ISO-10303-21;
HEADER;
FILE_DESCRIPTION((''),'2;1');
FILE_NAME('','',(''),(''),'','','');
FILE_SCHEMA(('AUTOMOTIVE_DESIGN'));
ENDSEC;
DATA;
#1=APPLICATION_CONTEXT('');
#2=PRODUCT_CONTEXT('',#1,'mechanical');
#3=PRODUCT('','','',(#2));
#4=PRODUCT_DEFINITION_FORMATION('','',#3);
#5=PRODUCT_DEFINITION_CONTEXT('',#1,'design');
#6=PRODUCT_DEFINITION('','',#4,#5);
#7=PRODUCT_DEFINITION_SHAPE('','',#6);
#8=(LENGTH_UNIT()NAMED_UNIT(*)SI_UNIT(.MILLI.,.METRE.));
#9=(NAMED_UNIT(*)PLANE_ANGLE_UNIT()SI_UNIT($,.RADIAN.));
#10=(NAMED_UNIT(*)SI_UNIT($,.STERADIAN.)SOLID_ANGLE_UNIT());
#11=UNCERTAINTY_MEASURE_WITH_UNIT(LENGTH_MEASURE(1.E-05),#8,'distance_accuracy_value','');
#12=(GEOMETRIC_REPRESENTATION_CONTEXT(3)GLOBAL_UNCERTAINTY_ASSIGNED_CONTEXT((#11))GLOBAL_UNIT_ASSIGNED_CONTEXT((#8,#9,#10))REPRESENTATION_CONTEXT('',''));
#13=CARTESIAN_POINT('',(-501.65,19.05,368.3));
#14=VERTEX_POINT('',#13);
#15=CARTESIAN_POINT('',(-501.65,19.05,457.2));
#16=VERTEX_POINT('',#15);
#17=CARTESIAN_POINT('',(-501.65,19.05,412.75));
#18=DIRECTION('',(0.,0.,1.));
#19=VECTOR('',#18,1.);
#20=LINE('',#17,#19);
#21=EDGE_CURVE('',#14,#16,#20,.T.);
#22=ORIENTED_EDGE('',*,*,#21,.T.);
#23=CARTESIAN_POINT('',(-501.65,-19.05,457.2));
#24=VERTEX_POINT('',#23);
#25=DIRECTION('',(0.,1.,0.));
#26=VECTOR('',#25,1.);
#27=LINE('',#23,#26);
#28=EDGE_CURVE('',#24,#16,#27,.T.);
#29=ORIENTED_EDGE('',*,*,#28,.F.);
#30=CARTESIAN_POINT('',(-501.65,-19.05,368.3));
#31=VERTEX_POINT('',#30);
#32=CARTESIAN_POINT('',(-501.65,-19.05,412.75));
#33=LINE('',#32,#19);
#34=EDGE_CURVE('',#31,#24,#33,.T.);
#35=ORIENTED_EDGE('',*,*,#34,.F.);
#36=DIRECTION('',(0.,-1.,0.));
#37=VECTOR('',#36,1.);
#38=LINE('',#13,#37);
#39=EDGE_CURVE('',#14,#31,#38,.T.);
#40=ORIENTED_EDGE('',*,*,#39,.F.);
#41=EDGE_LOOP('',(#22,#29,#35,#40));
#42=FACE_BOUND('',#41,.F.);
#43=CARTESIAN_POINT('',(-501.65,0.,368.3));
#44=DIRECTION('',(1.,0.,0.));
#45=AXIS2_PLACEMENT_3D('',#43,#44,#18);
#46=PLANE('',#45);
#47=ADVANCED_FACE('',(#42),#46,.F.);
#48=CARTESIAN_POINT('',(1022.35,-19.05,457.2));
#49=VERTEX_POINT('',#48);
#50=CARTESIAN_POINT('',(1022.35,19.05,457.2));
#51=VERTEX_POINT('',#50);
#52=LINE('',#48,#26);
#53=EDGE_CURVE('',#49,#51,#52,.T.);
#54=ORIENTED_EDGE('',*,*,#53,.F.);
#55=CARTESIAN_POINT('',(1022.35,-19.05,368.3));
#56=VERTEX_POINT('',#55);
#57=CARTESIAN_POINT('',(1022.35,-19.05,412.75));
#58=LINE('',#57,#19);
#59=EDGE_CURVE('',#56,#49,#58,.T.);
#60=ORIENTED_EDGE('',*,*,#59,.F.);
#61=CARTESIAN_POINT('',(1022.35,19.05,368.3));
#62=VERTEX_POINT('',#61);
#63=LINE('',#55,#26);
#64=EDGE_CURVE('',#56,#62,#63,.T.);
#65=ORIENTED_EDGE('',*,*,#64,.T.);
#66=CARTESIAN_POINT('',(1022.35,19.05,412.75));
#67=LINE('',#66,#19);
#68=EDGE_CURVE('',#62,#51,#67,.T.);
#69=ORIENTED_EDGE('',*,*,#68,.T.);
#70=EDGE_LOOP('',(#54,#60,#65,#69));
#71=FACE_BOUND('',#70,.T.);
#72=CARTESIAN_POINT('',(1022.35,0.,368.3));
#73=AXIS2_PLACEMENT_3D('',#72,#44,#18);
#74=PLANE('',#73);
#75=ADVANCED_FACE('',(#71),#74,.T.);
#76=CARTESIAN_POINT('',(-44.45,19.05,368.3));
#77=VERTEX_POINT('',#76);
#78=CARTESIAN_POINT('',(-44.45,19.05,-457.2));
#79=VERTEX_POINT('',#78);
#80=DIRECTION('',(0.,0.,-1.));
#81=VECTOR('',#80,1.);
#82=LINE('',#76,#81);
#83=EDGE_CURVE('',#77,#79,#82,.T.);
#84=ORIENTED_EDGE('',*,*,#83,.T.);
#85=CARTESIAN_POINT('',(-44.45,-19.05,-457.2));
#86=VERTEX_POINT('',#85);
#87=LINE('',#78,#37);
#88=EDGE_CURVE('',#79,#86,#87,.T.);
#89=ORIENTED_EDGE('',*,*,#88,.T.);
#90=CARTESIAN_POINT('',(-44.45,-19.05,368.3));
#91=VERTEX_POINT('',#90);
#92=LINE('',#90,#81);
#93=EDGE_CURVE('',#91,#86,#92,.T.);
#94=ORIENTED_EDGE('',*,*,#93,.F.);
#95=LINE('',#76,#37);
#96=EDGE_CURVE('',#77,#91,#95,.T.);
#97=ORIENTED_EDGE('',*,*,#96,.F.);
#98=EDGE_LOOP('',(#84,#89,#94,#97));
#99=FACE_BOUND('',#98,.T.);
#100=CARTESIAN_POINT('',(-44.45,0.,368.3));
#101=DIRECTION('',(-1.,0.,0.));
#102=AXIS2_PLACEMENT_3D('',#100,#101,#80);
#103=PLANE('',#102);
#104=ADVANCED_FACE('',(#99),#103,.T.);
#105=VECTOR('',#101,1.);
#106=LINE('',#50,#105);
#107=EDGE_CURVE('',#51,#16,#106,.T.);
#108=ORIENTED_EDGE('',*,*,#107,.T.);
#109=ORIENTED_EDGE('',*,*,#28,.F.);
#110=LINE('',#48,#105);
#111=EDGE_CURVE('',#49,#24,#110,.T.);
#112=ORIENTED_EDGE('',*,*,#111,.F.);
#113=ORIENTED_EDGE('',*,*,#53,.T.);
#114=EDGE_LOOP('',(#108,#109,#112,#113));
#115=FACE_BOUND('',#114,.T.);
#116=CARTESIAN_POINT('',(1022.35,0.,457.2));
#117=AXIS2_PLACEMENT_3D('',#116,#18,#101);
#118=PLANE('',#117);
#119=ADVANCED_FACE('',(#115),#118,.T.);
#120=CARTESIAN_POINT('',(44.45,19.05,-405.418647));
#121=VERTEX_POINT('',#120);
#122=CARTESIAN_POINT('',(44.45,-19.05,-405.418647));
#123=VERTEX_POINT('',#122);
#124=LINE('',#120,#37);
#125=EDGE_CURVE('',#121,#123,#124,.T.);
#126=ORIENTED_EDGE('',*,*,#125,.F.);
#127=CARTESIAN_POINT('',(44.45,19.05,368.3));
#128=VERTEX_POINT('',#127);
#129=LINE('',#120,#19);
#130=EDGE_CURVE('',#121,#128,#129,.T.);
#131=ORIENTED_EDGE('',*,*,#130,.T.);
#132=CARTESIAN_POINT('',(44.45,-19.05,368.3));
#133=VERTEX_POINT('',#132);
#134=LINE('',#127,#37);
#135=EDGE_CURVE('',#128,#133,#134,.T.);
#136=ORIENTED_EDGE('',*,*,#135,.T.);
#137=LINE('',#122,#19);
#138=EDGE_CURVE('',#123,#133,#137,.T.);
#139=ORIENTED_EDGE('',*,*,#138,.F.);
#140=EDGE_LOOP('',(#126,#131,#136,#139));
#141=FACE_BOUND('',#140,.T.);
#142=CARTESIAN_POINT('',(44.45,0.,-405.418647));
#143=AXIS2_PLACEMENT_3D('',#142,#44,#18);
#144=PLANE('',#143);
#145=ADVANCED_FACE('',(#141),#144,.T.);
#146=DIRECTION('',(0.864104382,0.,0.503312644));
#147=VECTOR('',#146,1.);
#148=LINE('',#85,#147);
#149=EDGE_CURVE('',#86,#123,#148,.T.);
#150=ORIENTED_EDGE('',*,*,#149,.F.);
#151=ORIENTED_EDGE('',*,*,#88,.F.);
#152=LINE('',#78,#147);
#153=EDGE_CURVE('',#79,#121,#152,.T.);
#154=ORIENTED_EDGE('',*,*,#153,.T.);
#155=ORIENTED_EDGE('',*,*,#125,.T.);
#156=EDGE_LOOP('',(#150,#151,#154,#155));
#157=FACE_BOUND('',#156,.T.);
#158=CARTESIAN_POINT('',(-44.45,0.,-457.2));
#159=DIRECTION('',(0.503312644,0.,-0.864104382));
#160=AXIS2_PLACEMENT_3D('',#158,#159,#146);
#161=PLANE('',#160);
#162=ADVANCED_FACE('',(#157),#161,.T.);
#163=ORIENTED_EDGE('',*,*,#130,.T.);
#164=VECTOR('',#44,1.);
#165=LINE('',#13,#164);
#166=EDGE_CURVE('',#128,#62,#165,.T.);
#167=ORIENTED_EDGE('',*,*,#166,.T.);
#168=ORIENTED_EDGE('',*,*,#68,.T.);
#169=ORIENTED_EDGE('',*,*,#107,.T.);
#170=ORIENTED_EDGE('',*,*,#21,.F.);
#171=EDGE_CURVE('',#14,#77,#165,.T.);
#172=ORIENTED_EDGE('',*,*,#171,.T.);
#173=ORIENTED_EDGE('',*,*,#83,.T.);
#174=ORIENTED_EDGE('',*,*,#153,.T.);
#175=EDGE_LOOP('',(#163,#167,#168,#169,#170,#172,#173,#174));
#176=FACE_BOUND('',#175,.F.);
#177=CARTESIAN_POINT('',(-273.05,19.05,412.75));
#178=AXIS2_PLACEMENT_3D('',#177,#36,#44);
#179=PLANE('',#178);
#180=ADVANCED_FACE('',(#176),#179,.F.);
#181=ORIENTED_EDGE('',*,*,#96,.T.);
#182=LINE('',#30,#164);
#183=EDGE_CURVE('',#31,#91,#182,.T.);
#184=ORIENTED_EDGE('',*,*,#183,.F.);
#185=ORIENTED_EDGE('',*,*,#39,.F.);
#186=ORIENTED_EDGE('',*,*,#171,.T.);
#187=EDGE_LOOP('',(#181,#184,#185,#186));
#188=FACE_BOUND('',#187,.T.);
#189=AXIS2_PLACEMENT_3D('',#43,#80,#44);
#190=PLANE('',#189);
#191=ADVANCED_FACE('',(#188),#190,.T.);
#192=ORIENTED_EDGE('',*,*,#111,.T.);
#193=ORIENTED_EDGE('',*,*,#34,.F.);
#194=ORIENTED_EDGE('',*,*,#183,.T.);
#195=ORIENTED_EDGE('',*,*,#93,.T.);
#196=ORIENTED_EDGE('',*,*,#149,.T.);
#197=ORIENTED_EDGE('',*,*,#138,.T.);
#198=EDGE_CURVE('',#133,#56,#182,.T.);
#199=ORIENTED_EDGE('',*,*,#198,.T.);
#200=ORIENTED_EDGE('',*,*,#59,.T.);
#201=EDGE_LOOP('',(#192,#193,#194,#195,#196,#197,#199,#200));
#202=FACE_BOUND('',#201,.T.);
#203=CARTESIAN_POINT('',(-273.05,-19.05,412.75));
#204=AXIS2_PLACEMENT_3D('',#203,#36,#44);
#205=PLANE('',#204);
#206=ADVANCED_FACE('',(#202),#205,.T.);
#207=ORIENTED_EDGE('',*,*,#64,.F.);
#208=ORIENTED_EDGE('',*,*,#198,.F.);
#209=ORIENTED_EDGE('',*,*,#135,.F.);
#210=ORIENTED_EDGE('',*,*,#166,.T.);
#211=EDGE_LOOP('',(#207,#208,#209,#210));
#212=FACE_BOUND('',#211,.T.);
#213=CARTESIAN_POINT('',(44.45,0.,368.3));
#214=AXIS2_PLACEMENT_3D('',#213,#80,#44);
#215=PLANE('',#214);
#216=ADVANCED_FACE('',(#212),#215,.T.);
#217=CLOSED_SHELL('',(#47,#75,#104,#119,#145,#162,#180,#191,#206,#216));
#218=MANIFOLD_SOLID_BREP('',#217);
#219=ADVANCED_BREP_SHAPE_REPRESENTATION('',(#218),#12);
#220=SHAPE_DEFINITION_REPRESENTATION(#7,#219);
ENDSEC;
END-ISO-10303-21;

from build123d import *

# Parameters (mm, degrees)
F0_W     = 457.2
F0_H     = 88.9
F0_W_2   = 88.9
F0_W_3   = 977.9
F1_DEPTH = 19.05


with BuildPart() as f1:
    # F0 (on Front) → F1 (new body, symmetric)
    with BuildSketch(Plane.XZ):
        with Locations((-273.05, 412.75)):
            Rectangle(F0_W, F0_H)
        with Locations((0, 412.75)):
            Rectangle(F0_W_2, F0_H)
        with Locations((533.4, 412.75)):
            Rectangle(F0_W_3, F0_H)
        Polygon((44.45, 368.3), (-44.45, 368.3), (-44.45, -457.2), (44.45, -405.418647), align=None)
    extrude(amount=F1_DEPTH, both=True)


solid = f1.part
